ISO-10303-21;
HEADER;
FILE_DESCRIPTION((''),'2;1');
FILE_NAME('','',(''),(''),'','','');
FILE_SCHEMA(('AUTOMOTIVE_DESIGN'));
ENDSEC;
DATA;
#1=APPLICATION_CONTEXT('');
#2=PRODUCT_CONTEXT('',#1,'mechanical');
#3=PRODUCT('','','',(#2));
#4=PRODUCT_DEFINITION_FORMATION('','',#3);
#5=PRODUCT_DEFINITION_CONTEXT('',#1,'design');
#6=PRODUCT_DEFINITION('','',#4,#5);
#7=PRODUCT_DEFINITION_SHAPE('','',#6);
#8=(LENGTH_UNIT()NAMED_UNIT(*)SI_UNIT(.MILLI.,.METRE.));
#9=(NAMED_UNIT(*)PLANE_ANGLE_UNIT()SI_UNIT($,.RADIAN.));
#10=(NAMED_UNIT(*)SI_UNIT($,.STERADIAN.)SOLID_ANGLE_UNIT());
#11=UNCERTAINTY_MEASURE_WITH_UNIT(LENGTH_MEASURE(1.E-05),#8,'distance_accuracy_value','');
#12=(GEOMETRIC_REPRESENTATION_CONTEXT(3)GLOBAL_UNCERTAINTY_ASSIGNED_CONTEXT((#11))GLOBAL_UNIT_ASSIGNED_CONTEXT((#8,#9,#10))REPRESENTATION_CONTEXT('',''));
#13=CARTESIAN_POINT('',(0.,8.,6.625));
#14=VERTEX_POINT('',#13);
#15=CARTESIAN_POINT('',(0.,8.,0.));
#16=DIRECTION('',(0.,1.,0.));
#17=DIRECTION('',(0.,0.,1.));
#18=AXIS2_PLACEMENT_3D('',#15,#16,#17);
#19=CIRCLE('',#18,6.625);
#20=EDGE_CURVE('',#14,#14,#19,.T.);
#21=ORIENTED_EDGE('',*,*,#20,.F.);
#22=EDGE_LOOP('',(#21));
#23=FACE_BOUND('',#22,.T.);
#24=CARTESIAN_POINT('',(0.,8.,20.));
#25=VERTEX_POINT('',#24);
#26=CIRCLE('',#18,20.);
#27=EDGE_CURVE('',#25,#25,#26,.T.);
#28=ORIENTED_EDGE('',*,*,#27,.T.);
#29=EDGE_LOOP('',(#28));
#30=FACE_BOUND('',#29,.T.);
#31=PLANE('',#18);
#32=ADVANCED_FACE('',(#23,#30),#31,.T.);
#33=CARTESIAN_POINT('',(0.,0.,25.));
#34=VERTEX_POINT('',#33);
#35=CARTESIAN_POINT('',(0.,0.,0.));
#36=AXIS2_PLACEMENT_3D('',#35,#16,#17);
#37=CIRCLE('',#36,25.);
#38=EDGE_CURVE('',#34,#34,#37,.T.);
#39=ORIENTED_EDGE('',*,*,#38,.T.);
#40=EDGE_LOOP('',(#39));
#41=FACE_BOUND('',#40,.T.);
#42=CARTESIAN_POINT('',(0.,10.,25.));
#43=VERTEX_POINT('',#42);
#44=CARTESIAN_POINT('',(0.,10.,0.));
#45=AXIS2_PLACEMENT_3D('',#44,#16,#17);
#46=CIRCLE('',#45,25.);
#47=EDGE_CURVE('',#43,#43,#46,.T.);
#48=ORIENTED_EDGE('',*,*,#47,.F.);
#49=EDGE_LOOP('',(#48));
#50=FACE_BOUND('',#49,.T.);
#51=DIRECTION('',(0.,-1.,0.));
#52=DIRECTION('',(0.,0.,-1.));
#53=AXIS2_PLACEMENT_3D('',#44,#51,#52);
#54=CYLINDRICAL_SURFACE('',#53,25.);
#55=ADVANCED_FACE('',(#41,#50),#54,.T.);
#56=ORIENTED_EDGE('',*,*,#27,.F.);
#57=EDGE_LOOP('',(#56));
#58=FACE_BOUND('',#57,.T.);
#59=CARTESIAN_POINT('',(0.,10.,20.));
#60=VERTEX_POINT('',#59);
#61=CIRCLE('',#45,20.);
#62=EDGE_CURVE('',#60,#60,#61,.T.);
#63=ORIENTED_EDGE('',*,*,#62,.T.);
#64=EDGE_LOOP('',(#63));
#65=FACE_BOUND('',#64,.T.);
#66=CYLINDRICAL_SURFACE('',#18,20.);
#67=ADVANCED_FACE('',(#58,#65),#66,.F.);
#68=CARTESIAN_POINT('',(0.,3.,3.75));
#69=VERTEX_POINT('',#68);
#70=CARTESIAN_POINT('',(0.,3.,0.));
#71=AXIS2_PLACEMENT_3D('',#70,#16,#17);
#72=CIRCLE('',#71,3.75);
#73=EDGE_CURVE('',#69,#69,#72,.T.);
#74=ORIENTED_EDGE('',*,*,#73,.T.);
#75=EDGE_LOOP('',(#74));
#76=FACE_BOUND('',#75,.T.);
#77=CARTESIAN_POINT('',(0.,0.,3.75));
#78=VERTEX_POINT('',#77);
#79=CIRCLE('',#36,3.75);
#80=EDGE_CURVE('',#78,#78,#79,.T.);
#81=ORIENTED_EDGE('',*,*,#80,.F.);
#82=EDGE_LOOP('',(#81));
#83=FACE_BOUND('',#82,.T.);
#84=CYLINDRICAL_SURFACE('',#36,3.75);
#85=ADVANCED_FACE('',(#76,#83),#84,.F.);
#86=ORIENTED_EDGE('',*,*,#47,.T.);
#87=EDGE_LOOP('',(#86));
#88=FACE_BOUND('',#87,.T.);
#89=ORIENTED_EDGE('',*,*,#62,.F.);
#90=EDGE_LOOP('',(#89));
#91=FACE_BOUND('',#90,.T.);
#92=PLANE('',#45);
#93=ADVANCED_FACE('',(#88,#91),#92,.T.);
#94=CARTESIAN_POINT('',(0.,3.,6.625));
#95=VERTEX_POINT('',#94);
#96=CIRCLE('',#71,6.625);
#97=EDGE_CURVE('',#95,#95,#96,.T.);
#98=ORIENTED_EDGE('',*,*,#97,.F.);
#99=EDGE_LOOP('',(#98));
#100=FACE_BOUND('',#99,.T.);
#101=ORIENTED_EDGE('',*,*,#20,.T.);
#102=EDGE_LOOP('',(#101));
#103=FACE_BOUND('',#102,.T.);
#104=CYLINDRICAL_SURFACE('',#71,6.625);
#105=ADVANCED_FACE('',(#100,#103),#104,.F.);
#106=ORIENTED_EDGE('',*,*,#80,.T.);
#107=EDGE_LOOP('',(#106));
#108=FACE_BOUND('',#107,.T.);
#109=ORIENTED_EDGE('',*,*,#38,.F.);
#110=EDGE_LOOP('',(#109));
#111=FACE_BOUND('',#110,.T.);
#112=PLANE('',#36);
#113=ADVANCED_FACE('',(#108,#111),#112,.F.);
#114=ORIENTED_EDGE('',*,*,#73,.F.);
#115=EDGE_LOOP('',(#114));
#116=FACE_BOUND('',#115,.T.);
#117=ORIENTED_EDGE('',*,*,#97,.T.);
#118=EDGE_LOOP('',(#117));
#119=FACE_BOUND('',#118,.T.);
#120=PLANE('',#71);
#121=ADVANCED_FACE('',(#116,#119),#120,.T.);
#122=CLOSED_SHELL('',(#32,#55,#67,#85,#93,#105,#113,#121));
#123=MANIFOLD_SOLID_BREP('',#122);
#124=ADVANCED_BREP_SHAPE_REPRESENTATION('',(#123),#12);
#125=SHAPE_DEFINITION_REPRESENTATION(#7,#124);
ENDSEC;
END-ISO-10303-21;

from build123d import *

# Parameters (mm, degrees)
SKETCH1_R               = 25
BOSS_EXTRUDE1_DEPTH     = 10
SKETCH2_R               = 20
CUT_EXTRUDE1_DEPTH      = 2
SKETCH3_R               = 6.625
CUT_EXTRUDE2_DEPTH      = 5
SKETCH4_R               = 3.75
CUT_EXTRUDE4_DEPTH      = 8
CUT_EXTRUDE4_DEPTH_BACK = 4


with BuildPart() as part:
    # Sketch1 → Boss-Extrude1 (new body)
    with BuildSketch(Plane(origin=(0, 0, 0), x_dir=(1, 0, 0), z_dir=(0, 1, 0))):
        Circle(SKETCH1_R)
    extrude(amount=BOSS_EXTRUDE1_DEPTH)

    # Sketch2 → Cut-Extrude1 (cut)
    with BuildSketch(Plane(origin=(0, 10, 0), x_dir=(1, 0, 0), z_dir=(0, 1, 0))):
        Circle(SKETCH2_R)
    extrude(amount=-CUT_EXTRUDE1_DEPTH, mode=Mode.SUBTRACT)

    # Sketch3 → Cut-Extrude2 (cut)
    with BuildSketch(Plane(origin=(0, 8, 0), x_dir=(1, 0, 0), z_dir=(0, 1, 0))):
        Circle(SKETCH3_R)
    extrude(amount=-CUT_EXTRUDE2_DEPTH, mode=Mode.SUBTRACT)

    # Sketch4 → Cut-Extrude4 (cut, two sides)
    with BuildSketch(Plane(origin=(0, 3, 0), x_dir=(1, 0, 0), z_dir=(0, 1, 0))) as cut_extrude4_sk:
        Circle(SKETCH4_R)
    extrude(amount=CUT_EXTRUDE4_DEPTH, mode=Mode.SUBTRACT)
    extrude(cut_extrude4_sk.sketch, amount=-CUT_EXTRUDE4_DEPTH_BACK, mode=Mode.SUBTRACT)


solid = part.part
